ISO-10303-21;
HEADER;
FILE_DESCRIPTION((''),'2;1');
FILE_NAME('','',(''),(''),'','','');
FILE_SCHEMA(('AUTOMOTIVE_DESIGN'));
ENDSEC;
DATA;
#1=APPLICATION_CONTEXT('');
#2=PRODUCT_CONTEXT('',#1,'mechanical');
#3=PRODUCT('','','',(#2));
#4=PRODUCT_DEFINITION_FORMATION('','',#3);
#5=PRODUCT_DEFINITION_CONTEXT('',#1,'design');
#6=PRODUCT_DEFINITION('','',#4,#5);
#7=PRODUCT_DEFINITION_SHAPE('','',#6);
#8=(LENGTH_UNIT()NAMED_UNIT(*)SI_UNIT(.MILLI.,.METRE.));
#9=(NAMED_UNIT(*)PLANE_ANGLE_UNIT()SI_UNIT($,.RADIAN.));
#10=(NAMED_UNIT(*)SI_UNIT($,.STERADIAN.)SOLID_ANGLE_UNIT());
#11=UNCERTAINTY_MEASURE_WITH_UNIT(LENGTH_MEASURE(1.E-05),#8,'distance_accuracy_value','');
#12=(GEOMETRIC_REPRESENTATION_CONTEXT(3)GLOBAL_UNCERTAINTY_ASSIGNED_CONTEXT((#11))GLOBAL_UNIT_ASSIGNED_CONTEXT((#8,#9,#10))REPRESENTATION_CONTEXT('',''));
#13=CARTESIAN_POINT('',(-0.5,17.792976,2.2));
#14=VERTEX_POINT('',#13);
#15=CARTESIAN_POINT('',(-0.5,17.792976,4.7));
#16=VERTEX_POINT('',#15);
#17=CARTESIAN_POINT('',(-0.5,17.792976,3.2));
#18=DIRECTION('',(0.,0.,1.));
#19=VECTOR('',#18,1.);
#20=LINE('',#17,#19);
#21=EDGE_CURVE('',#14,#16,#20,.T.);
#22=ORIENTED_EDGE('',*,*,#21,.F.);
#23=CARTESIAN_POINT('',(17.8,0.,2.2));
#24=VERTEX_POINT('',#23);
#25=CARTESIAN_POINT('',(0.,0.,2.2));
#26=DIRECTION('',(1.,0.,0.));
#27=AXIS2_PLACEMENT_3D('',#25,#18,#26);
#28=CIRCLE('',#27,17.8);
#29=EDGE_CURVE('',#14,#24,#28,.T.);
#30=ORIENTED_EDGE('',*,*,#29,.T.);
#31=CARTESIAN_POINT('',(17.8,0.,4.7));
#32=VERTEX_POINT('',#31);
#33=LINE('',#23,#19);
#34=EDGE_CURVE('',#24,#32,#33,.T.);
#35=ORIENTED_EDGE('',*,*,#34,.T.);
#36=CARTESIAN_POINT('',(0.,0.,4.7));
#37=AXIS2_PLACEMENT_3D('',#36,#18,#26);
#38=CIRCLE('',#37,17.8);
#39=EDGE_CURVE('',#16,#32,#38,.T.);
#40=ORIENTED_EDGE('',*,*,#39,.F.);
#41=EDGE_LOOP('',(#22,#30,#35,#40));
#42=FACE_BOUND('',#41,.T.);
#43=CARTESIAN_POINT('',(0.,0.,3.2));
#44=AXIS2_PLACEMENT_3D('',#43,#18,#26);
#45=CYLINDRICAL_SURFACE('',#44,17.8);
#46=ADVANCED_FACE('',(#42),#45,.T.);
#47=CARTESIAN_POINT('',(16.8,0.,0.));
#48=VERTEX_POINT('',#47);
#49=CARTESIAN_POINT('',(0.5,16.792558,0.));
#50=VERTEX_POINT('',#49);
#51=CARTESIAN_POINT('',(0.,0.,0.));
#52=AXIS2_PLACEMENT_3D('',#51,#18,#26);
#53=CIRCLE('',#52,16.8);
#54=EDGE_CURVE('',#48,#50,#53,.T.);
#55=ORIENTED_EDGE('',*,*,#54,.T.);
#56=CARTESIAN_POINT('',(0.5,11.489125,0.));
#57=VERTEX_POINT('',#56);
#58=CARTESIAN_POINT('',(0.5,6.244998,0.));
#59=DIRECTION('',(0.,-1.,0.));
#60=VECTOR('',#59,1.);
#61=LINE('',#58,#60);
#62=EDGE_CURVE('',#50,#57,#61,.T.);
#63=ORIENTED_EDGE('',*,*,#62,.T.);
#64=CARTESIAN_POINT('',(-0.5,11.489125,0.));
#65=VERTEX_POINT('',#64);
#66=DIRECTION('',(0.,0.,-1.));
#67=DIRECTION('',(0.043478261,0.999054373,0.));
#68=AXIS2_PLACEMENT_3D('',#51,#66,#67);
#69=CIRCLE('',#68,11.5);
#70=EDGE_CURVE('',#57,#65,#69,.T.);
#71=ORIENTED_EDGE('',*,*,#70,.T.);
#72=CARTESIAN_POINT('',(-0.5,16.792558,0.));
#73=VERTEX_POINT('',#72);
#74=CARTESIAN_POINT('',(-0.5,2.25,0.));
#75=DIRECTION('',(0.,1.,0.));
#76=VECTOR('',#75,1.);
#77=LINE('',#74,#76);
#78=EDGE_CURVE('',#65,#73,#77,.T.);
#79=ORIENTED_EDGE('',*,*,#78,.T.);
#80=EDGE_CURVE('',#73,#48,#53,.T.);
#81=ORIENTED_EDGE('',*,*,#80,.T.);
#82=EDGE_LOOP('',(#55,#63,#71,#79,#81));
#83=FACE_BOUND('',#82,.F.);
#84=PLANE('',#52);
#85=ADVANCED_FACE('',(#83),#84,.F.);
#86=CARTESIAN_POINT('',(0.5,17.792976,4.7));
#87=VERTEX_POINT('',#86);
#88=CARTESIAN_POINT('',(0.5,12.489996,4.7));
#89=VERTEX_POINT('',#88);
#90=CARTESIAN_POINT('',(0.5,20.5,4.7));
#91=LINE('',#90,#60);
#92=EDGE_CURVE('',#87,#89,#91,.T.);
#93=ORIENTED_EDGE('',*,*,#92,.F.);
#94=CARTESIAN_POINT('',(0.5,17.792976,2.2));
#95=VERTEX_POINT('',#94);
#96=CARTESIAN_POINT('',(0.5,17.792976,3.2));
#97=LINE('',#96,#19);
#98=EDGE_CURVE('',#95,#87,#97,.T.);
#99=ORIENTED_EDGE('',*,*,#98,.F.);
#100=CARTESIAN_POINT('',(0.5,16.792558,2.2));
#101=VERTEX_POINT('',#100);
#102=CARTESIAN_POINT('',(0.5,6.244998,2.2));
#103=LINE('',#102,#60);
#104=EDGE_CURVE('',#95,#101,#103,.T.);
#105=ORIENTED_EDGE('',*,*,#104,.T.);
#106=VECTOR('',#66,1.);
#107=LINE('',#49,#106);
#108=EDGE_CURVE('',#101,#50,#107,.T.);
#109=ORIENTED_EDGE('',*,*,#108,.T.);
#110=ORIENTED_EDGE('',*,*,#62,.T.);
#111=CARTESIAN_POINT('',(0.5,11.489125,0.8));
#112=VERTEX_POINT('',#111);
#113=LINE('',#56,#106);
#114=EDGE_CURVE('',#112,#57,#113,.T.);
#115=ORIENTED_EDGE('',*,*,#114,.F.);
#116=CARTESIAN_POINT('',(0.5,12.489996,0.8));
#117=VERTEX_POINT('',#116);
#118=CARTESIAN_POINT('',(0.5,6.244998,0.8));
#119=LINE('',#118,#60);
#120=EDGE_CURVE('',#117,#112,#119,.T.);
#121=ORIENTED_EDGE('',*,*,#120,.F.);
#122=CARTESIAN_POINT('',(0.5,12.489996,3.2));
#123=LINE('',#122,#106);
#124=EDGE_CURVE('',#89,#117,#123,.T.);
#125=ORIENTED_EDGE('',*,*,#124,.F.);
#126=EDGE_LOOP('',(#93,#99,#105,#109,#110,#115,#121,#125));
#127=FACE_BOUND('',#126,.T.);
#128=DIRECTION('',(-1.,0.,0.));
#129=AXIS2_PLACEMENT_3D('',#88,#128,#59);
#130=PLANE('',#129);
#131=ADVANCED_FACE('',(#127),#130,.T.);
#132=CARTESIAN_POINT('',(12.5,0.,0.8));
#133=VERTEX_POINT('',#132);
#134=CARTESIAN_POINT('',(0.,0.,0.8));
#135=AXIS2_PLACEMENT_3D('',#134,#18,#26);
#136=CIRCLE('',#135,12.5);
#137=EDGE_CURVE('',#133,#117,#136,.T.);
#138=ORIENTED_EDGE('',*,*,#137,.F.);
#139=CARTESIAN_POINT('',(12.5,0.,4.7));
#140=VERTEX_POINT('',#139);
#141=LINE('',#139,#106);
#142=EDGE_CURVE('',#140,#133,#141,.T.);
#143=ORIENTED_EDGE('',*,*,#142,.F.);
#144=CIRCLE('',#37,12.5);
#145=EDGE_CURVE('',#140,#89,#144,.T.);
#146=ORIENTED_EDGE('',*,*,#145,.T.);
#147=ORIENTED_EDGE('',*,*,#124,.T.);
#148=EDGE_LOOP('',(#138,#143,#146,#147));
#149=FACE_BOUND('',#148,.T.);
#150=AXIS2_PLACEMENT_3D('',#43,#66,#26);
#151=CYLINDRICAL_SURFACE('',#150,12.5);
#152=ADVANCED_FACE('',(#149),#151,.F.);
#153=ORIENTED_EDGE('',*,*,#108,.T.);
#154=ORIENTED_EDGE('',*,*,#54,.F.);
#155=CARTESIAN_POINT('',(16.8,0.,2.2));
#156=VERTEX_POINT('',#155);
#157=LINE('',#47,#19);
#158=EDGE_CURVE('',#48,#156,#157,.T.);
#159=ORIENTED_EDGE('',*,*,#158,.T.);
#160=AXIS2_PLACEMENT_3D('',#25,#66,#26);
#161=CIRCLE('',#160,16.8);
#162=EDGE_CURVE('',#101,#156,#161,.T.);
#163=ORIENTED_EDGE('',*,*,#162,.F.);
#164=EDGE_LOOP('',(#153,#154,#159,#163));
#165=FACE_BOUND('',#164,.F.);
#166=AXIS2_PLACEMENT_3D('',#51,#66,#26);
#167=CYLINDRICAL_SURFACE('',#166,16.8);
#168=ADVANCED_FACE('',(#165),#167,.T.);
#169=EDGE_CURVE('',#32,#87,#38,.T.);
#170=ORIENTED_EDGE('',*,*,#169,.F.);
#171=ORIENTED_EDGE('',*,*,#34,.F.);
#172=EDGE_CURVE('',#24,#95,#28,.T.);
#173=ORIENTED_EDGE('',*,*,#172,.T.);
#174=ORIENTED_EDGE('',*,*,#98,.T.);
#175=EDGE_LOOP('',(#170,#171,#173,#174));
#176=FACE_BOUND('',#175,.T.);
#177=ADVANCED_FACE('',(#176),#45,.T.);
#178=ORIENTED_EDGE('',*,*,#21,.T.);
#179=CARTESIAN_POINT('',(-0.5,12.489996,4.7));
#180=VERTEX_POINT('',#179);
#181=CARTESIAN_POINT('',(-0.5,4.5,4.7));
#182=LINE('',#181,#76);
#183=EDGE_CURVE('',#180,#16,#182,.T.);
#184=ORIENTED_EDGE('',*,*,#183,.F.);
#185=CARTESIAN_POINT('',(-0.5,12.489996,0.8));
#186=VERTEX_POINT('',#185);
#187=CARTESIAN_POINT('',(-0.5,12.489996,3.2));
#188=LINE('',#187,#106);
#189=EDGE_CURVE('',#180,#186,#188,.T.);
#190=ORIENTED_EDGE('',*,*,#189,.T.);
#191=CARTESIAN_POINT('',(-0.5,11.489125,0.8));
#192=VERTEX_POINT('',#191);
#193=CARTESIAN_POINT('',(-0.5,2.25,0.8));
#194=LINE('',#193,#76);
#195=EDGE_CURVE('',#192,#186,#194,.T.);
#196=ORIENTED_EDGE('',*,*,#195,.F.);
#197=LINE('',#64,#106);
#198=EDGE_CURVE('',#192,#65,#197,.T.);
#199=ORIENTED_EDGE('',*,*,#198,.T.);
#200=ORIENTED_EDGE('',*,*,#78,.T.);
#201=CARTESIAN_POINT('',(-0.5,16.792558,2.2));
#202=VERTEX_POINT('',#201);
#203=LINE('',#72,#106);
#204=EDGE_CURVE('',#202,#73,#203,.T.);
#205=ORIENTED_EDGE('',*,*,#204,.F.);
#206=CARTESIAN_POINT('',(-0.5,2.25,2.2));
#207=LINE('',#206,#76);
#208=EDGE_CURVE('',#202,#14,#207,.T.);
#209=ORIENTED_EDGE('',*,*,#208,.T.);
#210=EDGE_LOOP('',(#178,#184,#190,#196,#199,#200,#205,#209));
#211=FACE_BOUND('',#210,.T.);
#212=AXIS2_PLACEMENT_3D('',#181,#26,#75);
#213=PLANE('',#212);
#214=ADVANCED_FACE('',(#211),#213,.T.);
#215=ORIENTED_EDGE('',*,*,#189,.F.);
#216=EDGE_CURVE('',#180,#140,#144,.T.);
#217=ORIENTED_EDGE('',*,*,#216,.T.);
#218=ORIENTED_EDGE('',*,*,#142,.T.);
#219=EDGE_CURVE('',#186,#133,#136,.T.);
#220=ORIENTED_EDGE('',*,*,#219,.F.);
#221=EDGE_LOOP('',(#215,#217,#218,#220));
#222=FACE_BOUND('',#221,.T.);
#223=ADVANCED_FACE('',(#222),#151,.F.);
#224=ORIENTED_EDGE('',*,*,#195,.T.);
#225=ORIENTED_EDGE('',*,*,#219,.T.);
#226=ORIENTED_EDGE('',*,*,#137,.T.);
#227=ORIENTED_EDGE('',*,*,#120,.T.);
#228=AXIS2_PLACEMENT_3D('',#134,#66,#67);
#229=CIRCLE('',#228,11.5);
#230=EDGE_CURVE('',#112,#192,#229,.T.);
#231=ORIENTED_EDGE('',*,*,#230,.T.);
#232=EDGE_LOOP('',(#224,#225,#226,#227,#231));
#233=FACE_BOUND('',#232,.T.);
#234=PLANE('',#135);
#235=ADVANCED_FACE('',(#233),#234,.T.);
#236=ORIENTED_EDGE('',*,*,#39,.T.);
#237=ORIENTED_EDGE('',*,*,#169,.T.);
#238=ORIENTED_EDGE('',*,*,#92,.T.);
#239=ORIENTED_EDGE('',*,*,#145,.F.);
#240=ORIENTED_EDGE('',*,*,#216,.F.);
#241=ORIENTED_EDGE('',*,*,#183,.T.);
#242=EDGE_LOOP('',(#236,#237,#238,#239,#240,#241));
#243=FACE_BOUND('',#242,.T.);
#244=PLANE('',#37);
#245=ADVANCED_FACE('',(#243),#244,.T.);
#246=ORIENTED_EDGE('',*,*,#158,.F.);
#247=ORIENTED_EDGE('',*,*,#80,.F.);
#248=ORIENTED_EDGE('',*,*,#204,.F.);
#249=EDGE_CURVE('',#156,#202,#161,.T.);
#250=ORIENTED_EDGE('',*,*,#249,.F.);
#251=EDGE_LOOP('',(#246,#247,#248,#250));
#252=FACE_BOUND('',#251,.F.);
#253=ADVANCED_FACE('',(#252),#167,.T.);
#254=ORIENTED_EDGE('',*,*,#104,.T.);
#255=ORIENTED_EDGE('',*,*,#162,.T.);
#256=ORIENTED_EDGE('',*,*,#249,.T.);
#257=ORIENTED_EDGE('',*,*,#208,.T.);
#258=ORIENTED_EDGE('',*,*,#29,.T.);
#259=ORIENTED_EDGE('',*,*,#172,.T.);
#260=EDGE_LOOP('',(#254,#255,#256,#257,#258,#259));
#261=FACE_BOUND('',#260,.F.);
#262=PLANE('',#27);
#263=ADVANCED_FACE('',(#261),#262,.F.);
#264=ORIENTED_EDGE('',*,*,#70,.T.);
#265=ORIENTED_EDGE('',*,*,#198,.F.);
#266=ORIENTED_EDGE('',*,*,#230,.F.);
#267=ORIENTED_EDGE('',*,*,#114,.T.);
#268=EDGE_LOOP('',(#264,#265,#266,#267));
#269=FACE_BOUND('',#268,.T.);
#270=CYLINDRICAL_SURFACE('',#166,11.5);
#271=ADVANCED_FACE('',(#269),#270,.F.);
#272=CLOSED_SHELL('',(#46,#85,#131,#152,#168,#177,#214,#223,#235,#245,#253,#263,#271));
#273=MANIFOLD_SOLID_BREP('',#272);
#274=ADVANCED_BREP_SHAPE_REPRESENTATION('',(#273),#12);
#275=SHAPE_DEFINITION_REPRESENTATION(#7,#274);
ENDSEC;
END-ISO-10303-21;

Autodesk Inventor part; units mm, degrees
ref_plane "YZ Plane" through (0, 0, 0) normal (1, 0, 0) x (0, 1, 0)
ref_plane "XZ Plane" through (0, 0, 0) normal (0, 1, 0) x (-1, 0, 0)
ref_plane "XY Plane" through (0, 0, 0) normal (0, 0, 1) x (1, 0, 0)
sketch "Sketch1" plane through (0, 0, 0) normal (0, 0, 1) x (1, 0, 0)
  circle A0 centre (0, 0) radius 16.8
  circle A1 centre (0, 0) radius 11.5
  circle A2 centre (0, 0) radius 17.8
  circle A3 centre (0, 0) radius 12.5
  dimension "d0" = 33.6
  dimension "d1" = 23
  dimension "d2" = 35.6
  dimension "d3" = 25
extrude "Extrusion1" add sketch "Sketch1" along normal blind 0.8 contours A3
extrude "Extrusion2" add sketch "Sketch1" along normal blind 3.2 contours A0
sketch "Sketch2" plane through (0, 0, 3.2) normal (0, 0, 1) x (1, 0, 0)
  circle A0 centre (0, 0) radius 17.8 projected
  circle A1 centre (0, 0) radius 12.5 projected
extrude "Extrusion3" add sketch "Sketch2" along normal blind 1.5
extrude "Extrusion5" add sketch "Sketch2" against normal blind 1
sketch "Sketch3" plane through (0, 0, 4.7) normal (0, 0, 1) x (1, 0, 0)
  line L0 (0.5, 4.5) -> (-0.5, 4.5)
  line L1 (-0.5, 4.5) -> (-0.5, 20.5)
  line L2 (-0.5, 20.5) -> (0.5, 20.5)
  line L3 (0.5, 20.5) -> (0.5, 4.5)
  circle A0 centre (0, 0) radius 12.5 projected
  line L4 (0.5, 4.5) -> (-0.5, 20.5) construction
  line L5 (-0.5, 4.5) -> (0.5, 20.5) construction
  point P0 (0, 12.5)
  dimension "d10" = 1
  dimension "d11" = 16
extrude "Extrusion4" cut sketch "Sketch3" against normal blind 10 contours L0 L1 A0 L3 | A0 L1 L2 L3 picked at (0.0556, 7.1663)
properties part number "25to36mm-FilterAdapter"
